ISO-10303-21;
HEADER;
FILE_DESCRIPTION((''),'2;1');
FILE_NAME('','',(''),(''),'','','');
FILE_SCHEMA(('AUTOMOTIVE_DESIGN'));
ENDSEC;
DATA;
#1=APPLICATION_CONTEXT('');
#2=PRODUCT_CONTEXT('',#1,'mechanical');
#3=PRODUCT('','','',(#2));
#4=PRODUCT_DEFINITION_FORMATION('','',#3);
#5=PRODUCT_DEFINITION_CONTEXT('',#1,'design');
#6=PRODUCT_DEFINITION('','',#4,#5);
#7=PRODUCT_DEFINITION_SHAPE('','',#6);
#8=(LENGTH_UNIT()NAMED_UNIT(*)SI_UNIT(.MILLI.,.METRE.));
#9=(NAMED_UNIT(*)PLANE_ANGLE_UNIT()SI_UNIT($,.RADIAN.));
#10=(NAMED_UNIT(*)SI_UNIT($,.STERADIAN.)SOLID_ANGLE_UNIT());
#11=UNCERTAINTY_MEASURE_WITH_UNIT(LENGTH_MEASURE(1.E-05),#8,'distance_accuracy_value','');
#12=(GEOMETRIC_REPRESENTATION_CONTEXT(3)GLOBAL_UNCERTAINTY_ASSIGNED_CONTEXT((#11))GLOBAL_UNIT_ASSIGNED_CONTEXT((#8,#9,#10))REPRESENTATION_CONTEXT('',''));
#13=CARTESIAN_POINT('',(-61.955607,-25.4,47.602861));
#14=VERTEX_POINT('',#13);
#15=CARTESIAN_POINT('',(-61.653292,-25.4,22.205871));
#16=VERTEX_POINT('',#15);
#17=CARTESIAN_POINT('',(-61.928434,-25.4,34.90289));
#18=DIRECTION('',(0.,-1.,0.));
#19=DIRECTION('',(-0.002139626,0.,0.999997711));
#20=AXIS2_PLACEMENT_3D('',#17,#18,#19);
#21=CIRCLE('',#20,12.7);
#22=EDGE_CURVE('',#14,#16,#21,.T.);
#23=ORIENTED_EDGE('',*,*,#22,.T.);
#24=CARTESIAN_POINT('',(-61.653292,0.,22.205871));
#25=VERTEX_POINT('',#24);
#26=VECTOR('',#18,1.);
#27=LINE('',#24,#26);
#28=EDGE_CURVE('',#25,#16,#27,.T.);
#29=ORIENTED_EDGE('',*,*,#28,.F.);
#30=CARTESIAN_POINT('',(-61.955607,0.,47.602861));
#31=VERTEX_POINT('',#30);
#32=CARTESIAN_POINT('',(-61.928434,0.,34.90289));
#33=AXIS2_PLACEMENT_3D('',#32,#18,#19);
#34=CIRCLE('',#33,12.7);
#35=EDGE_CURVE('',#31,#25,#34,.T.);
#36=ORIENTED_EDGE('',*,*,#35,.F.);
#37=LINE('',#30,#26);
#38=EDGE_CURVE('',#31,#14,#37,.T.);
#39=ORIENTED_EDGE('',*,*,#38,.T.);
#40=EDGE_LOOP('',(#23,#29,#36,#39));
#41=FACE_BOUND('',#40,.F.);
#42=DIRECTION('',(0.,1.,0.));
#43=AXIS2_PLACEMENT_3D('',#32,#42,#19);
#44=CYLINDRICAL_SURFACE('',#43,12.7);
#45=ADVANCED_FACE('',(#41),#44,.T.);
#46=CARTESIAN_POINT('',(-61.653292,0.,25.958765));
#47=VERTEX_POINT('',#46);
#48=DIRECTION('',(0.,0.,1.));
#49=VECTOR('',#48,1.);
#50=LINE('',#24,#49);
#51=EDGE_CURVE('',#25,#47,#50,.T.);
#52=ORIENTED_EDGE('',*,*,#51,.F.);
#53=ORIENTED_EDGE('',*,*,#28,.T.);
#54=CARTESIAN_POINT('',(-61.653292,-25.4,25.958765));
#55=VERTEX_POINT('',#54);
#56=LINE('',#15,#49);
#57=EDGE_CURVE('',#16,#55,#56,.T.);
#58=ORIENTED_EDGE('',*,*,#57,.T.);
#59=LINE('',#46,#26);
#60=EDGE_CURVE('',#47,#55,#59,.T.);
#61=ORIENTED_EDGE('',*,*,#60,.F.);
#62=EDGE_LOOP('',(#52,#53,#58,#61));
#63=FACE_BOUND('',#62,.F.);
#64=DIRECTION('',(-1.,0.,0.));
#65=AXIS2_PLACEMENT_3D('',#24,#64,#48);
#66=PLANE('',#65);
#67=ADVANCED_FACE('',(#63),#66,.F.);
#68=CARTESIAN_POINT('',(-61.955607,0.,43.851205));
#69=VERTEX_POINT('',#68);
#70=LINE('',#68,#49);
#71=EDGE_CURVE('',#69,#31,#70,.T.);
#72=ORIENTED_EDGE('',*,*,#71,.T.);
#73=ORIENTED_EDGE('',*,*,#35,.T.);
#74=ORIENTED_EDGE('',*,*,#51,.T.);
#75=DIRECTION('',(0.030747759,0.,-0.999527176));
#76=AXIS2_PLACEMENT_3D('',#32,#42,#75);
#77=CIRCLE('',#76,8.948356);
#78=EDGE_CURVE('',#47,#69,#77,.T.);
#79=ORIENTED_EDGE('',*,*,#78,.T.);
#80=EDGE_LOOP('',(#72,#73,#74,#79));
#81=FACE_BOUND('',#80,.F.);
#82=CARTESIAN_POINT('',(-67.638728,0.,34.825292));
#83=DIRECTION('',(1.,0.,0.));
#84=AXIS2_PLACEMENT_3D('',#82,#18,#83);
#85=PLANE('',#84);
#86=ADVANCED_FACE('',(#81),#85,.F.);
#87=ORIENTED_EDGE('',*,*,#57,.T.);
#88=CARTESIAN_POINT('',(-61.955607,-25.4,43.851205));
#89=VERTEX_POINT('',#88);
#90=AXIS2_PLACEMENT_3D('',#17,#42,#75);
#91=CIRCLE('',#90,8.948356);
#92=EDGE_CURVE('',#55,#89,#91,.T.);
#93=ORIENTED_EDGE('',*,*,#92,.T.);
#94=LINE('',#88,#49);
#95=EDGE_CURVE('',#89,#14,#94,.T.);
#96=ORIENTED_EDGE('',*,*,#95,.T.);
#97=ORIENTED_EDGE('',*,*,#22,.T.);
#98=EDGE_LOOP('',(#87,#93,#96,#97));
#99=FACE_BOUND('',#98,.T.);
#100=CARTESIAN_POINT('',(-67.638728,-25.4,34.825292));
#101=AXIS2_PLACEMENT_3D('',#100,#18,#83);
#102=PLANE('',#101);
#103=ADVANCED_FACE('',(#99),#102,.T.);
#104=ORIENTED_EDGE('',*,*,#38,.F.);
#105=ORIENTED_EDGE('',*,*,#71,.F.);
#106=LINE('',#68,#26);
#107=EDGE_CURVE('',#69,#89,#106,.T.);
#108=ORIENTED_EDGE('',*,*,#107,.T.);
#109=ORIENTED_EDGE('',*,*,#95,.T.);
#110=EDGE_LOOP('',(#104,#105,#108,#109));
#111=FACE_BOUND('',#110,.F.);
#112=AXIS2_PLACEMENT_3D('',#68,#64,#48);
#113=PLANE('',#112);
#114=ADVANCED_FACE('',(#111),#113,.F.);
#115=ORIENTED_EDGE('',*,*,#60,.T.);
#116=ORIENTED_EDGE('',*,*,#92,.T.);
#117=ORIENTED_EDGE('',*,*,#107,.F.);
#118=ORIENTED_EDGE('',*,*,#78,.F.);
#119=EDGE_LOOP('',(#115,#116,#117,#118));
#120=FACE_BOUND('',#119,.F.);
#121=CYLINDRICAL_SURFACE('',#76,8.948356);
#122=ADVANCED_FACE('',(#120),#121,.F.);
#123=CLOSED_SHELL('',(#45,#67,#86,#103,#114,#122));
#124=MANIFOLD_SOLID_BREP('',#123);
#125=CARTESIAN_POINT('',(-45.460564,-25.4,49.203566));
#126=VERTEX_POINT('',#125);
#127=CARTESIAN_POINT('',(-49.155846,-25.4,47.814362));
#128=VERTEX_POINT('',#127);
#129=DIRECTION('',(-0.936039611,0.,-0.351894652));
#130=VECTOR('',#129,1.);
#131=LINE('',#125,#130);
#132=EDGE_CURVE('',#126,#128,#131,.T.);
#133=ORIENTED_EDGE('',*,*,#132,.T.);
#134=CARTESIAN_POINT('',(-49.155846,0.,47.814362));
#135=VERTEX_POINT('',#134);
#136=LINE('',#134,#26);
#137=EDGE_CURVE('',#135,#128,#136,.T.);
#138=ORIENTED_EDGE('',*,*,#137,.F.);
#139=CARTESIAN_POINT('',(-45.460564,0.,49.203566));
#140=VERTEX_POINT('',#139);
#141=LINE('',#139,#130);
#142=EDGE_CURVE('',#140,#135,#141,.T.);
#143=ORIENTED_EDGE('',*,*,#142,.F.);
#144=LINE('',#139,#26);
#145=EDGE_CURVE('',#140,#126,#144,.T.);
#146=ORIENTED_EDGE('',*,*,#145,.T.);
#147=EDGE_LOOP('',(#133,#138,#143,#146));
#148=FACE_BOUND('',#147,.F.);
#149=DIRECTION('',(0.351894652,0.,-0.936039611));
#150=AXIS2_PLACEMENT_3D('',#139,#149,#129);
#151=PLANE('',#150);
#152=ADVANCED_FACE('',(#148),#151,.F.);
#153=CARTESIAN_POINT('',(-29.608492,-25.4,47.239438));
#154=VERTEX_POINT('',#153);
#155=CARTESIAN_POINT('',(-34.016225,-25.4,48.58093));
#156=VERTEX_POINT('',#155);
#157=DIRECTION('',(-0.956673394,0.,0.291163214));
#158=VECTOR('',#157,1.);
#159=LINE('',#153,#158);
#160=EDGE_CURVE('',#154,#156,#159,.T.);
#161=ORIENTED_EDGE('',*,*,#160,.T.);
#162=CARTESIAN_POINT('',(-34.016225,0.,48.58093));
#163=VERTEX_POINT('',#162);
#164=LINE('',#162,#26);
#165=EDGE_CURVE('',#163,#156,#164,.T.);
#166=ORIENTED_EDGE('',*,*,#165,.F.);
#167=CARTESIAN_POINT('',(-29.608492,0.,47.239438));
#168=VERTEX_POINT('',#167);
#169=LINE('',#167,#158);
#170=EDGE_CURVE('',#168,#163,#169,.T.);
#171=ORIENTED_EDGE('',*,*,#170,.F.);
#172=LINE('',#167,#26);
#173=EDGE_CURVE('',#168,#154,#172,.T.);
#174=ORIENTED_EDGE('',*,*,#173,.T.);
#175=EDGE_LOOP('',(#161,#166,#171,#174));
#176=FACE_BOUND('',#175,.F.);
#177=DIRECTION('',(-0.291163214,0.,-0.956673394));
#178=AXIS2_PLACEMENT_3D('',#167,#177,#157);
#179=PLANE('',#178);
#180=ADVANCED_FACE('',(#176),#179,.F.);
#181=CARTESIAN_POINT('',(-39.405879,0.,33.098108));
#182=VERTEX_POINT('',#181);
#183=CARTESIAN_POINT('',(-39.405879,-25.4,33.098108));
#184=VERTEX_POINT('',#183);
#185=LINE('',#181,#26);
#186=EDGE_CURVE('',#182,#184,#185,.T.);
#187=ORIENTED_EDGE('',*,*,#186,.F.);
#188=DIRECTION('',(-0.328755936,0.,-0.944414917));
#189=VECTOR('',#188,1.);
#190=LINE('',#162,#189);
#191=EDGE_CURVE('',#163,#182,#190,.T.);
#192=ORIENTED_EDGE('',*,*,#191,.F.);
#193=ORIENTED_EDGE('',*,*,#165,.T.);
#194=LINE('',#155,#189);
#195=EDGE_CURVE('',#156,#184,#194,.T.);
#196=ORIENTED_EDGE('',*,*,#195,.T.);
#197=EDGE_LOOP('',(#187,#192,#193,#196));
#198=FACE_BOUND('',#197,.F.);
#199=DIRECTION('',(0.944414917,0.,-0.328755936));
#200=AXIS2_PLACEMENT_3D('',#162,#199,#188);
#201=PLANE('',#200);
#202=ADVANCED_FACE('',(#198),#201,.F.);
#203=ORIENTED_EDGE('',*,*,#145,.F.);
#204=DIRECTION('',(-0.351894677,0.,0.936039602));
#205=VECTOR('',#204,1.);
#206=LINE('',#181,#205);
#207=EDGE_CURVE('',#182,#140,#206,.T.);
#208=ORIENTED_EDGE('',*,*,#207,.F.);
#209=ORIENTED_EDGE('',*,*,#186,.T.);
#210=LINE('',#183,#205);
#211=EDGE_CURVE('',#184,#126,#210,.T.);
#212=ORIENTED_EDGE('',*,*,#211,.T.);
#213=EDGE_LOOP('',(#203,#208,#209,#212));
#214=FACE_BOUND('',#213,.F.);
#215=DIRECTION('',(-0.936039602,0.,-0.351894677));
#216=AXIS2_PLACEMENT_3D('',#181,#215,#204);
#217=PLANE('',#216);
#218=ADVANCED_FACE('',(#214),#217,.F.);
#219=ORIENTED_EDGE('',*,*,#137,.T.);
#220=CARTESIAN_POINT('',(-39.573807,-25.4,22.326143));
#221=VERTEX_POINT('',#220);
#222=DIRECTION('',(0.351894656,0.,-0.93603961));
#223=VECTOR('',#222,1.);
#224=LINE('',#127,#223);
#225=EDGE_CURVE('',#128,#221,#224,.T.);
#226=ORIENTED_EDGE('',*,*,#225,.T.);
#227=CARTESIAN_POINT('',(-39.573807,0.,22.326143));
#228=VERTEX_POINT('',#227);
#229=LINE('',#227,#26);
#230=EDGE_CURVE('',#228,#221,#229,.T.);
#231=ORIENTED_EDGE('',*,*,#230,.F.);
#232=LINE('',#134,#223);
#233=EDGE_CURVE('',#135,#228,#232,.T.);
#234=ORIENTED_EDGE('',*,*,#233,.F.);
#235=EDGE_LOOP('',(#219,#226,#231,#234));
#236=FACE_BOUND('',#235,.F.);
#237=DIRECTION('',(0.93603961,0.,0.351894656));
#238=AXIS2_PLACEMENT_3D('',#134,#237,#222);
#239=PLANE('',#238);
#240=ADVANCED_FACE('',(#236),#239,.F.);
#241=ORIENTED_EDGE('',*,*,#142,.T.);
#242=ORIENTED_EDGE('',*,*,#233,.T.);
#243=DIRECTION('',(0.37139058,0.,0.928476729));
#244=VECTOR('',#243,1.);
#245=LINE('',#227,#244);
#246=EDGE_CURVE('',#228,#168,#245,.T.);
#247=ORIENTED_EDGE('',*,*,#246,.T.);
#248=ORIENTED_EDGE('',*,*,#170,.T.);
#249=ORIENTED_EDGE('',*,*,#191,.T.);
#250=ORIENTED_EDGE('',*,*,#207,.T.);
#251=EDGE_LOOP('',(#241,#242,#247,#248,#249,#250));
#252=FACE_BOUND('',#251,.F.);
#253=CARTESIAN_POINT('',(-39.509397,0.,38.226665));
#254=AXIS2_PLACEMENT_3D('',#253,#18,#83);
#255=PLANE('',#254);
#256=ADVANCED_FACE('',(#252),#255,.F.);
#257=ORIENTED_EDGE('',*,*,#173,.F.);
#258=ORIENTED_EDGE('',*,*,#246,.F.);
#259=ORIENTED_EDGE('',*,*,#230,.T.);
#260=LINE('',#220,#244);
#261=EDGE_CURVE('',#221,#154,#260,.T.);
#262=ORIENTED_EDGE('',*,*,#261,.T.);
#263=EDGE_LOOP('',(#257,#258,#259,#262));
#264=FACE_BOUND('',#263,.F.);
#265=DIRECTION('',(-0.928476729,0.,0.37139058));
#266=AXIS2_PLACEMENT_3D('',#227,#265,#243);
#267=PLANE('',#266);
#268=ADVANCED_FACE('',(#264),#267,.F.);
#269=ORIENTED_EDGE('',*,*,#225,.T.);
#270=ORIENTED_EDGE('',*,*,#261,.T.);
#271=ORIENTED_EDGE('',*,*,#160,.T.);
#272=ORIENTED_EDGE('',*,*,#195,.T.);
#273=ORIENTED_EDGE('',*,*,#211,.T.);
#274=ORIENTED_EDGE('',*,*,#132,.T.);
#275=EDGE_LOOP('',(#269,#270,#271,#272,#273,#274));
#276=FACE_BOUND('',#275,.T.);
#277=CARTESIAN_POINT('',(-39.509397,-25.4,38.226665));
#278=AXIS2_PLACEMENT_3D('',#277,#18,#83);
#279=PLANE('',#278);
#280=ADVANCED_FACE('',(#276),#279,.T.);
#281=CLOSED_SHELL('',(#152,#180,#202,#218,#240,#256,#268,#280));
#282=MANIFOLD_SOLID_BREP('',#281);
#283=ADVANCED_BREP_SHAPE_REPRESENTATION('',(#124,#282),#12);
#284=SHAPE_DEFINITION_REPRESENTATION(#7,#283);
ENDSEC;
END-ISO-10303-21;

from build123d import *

# Parameters (mm, degrees)
F1_DEPTH = 25.4


with BuildPart() as f1:
    # F0 (on Front) → F1 (new body)
    with BuildSketch(Plane.XZ):
        with BuildLine():
            Line((-61.955607, 43.851205), (-61.955607, 47.602861))
            ThreePointArc((-61.955607, 47.602861), (-74.627534, 34.751725), (-61.653292, 22.205871))
            Line((-61.653292, 22.205871), (-61.653292, 25.958765))
            ThreePointArc((-61.653292, 25.958765), (-70.875513, 34.751718), (-61.955607, 43.851205))
        make_face()
        Polygon((-45.460564, 49.203566), (-49.155846, 47.814362), (-39.573807, 22.326143), (-29.608492, 47.239438), (-34.016225, 48.58093), (-39.405879, 33.098108), align=None)
    extrude(amount=F1_DEPTH)


solid = f1.part
